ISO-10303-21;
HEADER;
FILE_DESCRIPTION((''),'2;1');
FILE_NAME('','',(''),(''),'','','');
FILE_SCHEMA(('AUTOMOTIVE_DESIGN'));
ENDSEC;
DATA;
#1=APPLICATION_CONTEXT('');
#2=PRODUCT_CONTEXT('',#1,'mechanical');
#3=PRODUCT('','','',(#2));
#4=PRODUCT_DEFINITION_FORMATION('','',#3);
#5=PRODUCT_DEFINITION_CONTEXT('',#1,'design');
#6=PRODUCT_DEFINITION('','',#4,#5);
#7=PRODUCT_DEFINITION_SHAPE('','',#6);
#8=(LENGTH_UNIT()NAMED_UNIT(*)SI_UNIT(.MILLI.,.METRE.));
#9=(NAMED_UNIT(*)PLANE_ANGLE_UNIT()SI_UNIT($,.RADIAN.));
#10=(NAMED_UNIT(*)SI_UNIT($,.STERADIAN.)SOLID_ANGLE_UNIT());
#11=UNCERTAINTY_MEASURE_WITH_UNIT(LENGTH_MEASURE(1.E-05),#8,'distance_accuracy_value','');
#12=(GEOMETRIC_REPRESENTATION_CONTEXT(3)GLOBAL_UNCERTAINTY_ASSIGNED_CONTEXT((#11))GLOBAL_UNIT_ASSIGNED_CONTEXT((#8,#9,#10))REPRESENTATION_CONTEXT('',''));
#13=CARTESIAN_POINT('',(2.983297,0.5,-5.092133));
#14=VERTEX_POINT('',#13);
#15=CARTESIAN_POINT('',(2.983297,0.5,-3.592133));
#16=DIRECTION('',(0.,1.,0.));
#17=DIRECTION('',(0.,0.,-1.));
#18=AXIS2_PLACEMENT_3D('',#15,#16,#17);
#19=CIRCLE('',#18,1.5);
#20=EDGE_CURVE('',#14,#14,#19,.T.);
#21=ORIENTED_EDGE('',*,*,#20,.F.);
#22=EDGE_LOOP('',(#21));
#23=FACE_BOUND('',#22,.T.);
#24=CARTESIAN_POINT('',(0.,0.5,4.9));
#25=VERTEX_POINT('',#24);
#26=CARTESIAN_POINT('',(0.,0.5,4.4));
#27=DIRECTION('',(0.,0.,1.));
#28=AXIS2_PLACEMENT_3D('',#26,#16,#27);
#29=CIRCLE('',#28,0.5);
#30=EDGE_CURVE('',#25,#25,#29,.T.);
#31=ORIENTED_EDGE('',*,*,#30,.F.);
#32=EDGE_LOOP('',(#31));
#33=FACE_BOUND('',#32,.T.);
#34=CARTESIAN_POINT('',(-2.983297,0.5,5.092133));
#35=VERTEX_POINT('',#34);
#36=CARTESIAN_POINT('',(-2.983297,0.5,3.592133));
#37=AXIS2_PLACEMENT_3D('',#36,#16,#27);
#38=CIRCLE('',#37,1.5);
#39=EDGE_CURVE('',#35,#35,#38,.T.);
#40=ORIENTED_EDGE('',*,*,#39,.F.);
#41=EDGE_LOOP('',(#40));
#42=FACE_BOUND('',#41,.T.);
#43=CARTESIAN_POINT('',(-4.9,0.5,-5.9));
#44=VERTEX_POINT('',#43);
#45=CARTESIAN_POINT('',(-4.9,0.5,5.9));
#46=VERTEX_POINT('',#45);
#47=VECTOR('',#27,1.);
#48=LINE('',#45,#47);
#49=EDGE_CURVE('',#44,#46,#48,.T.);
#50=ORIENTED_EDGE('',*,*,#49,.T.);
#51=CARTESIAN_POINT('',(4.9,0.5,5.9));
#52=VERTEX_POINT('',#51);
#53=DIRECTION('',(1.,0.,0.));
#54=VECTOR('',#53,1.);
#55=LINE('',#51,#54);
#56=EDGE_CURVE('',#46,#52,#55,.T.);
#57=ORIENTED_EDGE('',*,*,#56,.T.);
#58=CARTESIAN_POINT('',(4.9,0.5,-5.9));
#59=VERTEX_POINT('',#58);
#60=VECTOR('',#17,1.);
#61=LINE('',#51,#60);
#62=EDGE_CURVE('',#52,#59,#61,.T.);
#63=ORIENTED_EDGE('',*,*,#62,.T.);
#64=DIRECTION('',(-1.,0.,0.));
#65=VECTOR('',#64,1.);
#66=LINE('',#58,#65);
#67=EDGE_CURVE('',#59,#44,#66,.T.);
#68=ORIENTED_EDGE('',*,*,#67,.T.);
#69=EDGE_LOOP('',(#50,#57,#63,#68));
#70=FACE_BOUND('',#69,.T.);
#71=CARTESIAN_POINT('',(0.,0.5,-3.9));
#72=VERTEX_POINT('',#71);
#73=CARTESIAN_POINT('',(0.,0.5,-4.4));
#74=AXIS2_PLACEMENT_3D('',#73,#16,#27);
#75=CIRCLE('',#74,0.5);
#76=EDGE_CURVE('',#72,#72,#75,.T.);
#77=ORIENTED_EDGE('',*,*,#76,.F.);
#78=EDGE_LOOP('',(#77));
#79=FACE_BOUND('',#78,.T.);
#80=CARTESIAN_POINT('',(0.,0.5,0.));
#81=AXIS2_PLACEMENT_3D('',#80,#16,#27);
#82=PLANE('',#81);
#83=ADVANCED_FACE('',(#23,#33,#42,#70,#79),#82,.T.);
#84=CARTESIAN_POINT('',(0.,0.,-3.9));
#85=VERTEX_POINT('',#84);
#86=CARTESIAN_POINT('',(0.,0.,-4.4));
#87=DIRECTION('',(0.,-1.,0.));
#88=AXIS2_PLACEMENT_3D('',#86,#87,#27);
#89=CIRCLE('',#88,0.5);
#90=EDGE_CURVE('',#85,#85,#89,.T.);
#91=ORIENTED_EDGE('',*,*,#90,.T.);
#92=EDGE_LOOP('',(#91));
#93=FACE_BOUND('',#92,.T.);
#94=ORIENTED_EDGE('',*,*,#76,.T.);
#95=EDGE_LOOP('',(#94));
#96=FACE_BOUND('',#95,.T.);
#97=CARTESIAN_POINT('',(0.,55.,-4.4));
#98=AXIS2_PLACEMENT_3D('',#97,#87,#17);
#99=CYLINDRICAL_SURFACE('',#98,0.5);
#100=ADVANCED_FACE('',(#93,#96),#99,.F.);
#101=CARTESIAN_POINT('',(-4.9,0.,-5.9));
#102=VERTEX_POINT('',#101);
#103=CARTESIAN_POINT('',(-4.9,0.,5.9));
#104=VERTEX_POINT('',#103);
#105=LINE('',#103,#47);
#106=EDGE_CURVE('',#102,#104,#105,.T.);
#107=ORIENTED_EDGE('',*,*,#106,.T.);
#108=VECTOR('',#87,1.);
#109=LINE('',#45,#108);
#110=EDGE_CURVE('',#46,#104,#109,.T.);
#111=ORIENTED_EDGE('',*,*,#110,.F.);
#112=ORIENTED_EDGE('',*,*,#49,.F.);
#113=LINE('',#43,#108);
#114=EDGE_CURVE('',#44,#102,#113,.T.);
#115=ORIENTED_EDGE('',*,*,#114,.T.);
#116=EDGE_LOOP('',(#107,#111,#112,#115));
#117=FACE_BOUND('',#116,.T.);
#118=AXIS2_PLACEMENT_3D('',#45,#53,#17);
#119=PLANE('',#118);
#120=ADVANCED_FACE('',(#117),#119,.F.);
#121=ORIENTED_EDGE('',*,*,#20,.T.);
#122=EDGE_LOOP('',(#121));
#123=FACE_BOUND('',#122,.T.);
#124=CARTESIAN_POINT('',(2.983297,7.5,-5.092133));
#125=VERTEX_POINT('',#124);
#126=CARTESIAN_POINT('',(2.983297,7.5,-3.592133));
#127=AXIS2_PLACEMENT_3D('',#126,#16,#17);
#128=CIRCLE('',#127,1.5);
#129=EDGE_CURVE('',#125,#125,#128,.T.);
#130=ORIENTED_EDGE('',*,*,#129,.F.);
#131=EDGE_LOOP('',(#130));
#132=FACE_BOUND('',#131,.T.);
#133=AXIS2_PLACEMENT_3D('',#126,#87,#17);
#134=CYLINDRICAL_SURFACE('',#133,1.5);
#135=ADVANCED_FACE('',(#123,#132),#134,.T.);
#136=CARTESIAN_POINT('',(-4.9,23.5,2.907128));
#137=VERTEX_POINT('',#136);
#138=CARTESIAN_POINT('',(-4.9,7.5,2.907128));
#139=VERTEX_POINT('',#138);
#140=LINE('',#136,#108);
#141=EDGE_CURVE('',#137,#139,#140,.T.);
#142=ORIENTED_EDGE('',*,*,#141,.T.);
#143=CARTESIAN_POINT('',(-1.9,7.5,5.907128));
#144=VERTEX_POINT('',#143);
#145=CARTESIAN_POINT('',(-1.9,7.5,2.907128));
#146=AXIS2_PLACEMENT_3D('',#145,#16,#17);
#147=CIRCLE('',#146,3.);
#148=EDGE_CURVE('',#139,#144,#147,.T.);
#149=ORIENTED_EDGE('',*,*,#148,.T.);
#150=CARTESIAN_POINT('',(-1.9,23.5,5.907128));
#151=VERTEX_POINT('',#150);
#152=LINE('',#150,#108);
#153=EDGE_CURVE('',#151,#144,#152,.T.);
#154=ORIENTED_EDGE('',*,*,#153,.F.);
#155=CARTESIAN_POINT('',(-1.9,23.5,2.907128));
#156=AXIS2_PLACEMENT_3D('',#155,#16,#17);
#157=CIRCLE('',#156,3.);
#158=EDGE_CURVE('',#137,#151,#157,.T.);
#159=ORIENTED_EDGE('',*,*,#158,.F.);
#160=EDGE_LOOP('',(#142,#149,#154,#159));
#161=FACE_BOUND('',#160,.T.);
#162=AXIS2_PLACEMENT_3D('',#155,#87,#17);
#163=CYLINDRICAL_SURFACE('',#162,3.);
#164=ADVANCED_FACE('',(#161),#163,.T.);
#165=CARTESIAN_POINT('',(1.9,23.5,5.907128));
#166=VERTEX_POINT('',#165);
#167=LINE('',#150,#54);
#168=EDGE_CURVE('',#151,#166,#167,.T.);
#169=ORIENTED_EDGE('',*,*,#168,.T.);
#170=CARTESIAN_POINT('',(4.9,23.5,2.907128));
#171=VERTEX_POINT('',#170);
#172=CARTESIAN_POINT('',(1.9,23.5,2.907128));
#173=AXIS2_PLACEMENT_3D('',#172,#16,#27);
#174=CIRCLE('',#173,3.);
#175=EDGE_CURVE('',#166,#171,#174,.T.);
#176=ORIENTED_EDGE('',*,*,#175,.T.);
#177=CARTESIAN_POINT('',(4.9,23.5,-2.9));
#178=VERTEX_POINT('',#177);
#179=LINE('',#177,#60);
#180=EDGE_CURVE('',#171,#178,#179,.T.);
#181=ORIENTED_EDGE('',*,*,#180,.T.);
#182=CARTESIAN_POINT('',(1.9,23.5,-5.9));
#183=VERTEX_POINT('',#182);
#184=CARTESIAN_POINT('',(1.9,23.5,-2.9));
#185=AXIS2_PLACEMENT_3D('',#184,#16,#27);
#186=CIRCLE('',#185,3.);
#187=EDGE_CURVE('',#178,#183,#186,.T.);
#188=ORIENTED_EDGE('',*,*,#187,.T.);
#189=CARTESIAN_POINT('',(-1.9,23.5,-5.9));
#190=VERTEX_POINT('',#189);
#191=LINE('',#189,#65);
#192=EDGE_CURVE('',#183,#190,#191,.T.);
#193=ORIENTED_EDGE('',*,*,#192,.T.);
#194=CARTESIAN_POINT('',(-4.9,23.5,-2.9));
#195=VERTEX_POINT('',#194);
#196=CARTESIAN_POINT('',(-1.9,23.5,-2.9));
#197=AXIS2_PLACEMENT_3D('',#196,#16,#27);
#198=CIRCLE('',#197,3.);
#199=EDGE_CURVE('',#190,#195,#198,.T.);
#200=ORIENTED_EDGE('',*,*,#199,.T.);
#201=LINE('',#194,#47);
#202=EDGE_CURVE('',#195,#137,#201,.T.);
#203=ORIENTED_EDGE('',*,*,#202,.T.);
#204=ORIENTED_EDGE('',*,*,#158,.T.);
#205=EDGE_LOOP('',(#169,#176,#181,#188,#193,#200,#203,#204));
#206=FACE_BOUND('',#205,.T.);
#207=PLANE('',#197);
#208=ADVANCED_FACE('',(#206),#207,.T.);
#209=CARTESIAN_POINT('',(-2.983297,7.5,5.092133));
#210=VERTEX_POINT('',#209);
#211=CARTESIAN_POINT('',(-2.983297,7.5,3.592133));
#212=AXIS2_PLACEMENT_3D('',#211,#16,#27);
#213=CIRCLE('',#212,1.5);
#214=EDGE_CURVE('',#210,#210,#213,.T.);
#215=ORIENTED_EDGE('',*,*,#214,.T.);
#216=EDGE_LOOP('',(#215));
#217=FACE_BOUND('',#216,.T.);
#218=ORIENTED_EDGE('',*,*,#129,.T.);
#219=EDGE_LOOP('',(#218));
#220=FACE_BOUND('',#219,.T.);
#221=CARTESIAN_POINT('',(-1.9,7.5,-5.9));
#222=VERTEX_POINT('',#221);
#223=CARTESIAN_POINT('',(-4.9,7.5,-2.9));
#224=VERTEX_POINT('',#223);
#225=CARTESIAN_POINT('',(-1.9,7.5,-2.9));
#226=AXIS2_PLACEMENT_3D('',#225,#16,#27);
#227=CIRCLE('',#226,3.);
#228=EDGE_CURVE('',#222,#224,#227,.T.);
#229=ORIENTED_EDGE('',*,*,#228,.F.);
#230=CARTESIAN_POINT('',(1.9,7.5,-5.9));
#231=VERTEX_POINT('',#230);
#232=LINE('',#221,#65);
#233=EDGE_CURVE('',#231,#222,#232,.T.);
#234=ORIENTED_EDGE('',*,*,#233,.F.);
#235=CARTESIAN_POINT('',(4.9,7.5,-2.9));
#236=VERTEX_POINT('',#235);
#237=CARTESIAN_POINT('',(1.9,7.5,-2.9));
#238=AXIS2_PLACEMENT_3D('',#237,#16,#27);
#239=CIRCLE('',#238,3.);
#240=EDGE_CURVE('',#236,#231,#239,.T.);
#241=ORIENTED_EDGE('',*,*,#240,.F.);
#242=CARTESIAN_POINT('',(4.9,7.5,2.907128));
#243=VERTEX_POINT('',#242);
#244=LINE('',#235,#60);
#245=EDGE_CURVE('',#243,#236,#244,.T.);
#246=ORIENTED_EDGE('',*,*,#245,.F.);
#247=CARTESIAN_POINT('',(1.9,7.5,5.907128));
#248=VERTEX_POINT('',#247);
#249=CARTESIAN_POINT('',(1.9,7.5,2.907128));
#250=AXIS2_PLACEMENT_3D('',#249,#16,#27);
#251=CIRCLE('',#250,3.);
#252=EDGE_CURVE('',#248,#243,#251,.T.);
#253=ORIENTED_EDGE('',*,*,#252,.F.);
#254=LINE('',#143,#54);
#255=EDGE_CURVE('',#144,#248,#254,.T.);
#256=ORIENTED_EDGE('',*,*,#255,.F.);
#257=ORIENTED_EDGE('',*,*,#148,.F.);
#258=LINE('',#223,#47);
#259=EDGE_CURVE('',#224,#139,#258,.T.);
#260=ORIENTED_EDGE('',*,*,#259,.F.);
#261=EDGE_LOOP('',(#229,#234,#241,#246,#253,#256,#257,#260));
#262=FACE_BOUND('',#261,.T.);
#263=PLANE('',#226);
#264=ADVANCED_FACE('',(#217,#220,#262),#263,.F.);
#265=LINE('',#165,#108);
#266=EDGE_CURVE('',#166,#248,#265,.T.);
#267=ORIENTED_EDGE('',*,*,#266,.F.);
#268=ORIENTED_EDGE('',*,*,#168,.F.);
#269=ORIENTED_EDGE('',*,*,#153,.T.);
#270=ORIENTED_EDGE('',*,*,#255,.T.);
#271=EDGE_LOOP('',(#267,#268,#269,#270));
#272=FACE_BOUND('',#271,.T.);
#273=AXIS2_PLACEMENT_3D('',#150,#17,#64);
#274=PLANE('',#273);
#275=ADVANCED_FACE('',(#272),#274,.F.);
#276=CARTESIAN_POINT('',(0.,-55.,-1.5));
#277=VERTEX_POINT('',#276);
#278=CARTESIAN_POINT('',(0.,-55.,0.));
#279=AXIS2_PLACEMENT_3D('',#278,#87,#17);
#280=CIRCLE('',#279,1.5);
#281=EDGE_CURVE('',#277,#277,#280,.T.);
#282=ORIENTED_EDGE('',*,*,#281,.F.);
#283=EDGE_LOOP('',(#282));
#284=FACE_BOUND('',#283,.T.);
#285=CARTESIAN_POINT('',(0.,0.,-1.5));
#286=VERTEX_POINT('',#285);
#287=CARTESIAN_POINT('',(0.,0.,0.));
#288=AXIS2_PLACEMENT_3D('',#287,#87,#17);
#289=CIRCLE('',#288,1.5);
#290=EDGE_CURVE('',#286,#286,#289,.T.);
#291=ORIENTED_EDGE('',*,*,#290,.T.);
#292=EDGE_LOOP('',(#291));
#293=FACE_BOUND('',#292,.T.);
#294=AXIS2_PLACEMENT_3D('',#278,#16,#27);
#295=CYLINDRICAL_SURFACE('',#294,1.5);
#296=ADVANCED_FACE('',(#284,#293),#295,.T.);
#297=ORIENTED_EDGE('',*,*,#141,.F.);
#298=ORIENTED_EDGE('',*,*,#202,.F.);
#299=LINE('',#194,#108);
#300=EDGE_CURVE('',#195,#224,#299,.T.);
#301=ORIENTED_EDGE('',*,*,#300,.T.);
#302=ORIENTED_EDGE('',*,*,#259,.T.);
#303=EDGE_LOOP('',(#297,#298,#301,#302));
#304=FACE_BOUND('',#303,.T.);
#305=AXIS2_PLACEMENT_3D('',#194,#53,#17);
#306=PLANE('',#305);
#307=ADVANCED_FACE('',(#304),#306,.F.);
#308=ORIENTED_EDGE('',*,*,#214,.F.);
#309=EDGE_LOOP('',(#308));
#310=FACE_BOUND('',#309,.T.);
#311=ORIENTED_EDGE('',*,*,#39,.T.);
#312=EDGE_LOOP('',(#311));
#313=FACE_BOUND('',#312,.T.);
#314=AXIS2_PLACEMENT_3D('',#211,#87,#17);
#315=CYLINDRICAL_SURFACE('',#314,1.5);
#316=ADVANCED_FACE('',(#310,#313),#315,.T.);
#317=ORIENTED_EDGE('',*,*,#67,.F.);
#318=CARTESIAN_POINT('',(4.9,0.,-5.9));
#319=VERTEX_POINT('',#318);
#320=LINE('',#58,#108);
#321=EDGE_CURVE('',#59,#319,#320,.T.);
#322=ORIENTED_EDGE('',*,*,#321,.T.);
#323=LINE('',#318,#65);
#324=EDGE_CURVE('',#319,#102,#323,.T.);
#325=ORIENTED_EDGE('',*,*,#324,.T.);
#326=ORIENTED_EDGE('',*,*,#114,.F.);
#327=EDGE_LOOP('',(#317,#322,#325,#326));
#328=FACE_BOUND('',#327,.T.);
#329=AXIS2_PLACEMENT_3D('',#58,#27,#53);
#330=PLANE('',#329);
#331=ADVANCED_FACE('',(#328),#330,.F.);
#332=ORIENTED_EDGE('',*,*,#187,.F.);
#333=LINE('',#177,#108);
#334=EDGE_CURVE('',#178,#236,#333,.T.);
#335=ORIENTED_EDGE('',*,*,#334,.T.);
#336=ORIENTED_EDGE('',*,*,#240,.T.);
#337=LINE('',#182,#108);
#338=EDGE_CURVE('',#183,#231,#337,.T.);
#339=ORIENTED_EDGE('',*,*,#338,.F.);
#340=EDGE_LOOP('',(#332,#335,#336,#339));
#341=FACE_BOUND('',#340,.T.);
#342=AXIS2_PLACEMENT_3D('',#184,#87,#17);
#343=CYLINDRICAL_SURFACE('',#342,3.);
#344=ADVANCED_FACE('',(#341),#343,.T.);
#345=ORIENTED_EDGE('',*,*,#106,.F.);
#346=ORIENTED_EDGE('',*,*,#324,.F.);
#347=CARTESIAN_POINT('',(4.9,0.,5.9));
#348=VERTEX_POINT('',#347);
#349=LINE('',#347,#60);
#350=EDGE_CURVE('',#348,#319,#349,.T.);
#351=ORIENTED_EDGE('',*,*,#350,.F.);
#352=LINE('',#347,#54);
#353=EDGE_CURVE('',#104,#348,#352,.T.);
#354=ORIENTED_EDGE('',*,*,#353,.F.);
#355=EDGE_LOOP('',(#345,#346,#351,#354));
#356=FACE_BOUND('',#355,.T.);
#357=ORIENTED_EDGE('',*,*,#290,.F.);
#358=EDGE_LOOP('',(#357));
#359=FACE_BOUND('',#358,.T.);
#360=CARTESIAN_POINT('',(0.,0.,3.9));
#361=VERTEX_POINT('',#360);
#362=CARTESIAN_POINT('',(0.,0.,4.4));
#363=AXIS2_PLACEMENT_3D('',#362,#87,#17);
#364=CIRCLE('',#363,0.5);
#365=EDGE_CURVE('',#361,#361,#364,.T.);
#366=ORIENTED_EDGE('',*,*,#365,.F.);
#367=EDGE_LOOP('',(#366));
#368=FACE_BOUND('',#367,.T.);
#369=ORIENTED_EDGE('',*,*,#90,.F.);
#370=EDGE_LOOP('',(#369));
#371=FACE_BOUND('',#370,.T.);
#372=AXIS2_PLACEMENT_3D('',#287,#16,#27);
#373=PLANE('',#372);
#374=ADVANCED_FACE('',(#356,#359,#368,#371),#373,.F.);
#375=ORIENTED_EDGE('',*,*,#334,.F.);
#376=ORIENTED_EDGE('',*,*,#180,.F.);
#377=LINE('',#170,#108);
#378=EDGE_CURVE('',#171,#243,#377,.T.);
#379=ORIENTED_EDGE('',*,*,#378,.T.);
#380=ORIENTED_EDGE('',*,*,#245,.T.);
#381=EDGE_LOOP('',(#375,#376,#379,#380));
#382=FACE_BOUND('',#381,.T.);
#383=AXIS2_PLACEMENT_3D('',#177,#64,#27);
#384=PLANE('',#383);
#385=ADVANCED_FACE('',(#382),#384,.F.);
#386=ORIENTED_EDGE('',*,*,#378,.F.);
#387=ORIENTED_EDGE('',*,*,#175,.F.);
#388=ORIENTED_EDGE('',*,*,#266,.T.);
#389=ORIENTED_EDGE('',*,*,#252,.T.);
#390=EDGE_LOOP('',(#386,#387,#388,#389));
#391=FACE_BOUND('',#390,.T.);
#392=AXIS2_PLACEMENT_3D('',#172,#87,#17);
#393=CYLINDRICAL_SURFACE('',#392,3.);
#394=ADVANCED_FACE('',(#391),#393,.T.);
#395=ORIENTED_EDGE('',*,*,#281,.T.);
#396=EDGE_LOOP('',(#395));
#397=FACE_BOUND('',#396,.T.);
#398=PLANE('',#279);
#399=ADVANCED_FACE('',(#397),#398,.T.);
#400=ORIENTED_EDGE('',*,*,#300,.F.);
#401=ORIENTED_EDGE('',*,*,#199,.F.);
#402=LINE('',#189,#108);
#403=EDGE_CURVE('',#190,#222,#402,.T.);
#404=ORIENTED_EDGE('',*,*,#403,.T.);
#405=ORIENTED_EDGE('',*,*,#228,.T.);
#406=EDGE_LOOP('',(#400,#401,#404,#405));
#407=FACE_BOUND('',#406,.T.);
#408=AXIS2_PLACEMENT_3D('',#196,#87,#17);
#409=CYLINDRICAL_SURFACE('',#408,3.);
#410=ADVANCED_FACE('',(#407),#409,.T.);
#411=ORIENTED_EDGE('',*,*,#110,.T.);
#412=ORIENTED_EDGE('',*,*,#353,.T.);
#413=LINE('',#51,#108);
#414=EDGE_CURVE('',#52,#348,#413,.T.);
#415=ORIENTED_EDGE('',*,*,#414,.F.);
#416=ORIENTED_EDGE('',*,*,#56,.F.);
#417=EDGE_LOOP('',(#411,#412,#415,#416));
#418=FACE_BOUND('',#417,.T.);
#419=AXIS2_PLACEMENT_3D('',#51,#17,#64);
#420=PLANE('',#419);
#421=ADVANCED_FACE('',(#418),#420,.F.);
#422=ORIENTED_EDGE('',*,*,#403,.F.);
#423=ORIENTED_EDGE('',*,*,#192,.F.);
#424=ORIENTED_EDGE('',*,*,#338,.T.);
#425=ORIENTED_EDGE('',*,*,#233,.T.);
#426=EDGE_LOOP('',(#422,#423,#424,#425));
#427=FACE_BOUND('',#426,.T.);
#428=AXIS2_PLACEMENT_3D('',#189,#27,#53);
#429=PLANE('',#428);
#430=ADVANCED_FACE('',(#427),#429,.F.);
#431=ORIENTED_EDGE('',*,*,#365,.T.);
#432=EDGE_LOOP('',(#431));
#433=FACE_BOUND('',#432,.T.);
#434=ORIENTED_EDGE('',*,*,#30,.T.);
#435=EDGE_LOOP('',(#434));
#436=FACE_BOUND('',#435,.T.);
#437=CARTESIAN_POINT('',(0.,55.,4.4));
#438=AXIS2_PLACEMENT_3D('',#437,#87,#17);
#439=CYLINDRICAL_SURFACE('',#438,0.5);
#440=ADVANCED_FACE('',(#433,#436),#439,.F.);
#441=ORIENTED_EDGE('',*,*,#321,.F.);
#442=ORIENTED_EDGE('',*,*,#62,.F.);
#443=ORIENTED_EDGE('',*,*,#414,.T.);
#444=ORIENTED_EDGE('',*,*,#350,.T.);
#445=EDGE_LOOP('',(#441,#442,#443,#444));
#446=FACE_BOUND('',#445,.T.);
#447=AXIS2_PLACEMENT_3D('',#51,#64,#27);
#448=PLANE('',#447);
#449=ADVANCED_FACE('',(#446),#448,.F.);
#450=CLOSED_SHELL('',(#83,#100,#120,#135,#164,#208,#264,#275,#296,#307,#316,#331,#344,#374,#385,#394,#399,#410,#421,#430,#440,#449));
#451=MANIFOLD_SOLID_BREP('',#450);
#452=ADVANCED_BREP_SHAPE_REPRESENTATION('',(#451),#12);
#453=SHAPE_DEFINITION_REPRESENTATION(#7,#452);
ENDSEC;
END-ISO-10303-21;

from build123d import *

# Parameters (mm, degrees)
SKETCH1_W           = 9.8
SKETCH1_H           = 11.8
BOSS_EXTRUDE1_DEPTH = 0.5
SKETCH2_R           = 1.5
BOSS_EXTRUDE2_DEPTH = 55
SKETCH5_R           = 0.5
CUT_EXTRUDE1_DEPTH  = 55
SKETCH6_R           = 1.5
BOSS_EXTRUDE3_DEPTH = 7
BOSS_EXTRUDE4_DEPTH = 16


with BuildPart() as part:
    # Sketch1 → Boss-Extrude1 (new body)
    with BuildSketch(Plane(origin=(0, 0, 0), x_dir=(1, 0, 0), z_dir=(0, 1, 0))):
        Rectangle(SKETCH1_W, SKETCH1_H)
    extrude(amount=BOSS_EXTRUDE1_DEPTH)

    # Sketch2 → Boss-Extrude2 (add)
    with BuildSketch(Plane.XZ):
        Circle(SKETCH2_R)
    extrude(amount=BOSS_EXTRUDE2_DEPTH)

    # Sketch5 → Cut-Extrude1 (cut)
    with BuildSketch(Plane.XZ):
        with Locations((0, 4.4)):
            Circle(SKETCH5_R)
        with Locations((0, -4.4)):
            Circle(SKETCH5_R)
    extrude(amount=-CUT_EXTRUDE1_DEPTH, mode=Mode.SUBTRACT)

    # Sketch6 → Boss-Extrude3 (add)
    with BuildSketch(Plane(origin=(0, 0.5, 0), x_dir=(1, 0, 0), z_dir=(0, 1, 0))):
        with Locations((-2.983296991, -3.592133112)):
            Circle(SKETCH6_R)
        with Locations((2.983296991, 3.592133112)):
            Circle(SKETCH6_R)
    extrude(amount=BOSS_EXTRUDE3_DEPTH)

    # Sketch7 → Boss-Extrude4 (add)
    with BuildSketch(Plane(origin=(0, 7.5, 0), x_dir=(1, 0, 0), z_dir=(0, 1, 0))):
        with BuildLine():
            Line((-1.9, 5.9), (1.9, 5.9))
            ThreePointArc((1.9, 5.9), (4.021320344, 5.021320344), (4.9, 2.9))
            Line((4.9, 2.9), (4.9, -2.907128276))
            ThreePointArc((4.9, -2.907128276), (4.021320344, -5.028448619), (1.9, -5.907128276))
            Line((1.9, -5.907128276), (-1.9, -5.907128276))
            ThreePointArc((-1.9, -5.907128276), (-4.021320344, -5.028448619), (-4.9, -2.907128276))
            Line((-4.9, -2.907128276), (-4.9, 2.9))
            ThreePointArc((-4.9, 2.9), (-4.021320344, 5.021320344), (-1.9, 5.9))
        make_face()
    extrude(amount=BOSS_EXTRUDE4_DEPTH)


solid = part.part
